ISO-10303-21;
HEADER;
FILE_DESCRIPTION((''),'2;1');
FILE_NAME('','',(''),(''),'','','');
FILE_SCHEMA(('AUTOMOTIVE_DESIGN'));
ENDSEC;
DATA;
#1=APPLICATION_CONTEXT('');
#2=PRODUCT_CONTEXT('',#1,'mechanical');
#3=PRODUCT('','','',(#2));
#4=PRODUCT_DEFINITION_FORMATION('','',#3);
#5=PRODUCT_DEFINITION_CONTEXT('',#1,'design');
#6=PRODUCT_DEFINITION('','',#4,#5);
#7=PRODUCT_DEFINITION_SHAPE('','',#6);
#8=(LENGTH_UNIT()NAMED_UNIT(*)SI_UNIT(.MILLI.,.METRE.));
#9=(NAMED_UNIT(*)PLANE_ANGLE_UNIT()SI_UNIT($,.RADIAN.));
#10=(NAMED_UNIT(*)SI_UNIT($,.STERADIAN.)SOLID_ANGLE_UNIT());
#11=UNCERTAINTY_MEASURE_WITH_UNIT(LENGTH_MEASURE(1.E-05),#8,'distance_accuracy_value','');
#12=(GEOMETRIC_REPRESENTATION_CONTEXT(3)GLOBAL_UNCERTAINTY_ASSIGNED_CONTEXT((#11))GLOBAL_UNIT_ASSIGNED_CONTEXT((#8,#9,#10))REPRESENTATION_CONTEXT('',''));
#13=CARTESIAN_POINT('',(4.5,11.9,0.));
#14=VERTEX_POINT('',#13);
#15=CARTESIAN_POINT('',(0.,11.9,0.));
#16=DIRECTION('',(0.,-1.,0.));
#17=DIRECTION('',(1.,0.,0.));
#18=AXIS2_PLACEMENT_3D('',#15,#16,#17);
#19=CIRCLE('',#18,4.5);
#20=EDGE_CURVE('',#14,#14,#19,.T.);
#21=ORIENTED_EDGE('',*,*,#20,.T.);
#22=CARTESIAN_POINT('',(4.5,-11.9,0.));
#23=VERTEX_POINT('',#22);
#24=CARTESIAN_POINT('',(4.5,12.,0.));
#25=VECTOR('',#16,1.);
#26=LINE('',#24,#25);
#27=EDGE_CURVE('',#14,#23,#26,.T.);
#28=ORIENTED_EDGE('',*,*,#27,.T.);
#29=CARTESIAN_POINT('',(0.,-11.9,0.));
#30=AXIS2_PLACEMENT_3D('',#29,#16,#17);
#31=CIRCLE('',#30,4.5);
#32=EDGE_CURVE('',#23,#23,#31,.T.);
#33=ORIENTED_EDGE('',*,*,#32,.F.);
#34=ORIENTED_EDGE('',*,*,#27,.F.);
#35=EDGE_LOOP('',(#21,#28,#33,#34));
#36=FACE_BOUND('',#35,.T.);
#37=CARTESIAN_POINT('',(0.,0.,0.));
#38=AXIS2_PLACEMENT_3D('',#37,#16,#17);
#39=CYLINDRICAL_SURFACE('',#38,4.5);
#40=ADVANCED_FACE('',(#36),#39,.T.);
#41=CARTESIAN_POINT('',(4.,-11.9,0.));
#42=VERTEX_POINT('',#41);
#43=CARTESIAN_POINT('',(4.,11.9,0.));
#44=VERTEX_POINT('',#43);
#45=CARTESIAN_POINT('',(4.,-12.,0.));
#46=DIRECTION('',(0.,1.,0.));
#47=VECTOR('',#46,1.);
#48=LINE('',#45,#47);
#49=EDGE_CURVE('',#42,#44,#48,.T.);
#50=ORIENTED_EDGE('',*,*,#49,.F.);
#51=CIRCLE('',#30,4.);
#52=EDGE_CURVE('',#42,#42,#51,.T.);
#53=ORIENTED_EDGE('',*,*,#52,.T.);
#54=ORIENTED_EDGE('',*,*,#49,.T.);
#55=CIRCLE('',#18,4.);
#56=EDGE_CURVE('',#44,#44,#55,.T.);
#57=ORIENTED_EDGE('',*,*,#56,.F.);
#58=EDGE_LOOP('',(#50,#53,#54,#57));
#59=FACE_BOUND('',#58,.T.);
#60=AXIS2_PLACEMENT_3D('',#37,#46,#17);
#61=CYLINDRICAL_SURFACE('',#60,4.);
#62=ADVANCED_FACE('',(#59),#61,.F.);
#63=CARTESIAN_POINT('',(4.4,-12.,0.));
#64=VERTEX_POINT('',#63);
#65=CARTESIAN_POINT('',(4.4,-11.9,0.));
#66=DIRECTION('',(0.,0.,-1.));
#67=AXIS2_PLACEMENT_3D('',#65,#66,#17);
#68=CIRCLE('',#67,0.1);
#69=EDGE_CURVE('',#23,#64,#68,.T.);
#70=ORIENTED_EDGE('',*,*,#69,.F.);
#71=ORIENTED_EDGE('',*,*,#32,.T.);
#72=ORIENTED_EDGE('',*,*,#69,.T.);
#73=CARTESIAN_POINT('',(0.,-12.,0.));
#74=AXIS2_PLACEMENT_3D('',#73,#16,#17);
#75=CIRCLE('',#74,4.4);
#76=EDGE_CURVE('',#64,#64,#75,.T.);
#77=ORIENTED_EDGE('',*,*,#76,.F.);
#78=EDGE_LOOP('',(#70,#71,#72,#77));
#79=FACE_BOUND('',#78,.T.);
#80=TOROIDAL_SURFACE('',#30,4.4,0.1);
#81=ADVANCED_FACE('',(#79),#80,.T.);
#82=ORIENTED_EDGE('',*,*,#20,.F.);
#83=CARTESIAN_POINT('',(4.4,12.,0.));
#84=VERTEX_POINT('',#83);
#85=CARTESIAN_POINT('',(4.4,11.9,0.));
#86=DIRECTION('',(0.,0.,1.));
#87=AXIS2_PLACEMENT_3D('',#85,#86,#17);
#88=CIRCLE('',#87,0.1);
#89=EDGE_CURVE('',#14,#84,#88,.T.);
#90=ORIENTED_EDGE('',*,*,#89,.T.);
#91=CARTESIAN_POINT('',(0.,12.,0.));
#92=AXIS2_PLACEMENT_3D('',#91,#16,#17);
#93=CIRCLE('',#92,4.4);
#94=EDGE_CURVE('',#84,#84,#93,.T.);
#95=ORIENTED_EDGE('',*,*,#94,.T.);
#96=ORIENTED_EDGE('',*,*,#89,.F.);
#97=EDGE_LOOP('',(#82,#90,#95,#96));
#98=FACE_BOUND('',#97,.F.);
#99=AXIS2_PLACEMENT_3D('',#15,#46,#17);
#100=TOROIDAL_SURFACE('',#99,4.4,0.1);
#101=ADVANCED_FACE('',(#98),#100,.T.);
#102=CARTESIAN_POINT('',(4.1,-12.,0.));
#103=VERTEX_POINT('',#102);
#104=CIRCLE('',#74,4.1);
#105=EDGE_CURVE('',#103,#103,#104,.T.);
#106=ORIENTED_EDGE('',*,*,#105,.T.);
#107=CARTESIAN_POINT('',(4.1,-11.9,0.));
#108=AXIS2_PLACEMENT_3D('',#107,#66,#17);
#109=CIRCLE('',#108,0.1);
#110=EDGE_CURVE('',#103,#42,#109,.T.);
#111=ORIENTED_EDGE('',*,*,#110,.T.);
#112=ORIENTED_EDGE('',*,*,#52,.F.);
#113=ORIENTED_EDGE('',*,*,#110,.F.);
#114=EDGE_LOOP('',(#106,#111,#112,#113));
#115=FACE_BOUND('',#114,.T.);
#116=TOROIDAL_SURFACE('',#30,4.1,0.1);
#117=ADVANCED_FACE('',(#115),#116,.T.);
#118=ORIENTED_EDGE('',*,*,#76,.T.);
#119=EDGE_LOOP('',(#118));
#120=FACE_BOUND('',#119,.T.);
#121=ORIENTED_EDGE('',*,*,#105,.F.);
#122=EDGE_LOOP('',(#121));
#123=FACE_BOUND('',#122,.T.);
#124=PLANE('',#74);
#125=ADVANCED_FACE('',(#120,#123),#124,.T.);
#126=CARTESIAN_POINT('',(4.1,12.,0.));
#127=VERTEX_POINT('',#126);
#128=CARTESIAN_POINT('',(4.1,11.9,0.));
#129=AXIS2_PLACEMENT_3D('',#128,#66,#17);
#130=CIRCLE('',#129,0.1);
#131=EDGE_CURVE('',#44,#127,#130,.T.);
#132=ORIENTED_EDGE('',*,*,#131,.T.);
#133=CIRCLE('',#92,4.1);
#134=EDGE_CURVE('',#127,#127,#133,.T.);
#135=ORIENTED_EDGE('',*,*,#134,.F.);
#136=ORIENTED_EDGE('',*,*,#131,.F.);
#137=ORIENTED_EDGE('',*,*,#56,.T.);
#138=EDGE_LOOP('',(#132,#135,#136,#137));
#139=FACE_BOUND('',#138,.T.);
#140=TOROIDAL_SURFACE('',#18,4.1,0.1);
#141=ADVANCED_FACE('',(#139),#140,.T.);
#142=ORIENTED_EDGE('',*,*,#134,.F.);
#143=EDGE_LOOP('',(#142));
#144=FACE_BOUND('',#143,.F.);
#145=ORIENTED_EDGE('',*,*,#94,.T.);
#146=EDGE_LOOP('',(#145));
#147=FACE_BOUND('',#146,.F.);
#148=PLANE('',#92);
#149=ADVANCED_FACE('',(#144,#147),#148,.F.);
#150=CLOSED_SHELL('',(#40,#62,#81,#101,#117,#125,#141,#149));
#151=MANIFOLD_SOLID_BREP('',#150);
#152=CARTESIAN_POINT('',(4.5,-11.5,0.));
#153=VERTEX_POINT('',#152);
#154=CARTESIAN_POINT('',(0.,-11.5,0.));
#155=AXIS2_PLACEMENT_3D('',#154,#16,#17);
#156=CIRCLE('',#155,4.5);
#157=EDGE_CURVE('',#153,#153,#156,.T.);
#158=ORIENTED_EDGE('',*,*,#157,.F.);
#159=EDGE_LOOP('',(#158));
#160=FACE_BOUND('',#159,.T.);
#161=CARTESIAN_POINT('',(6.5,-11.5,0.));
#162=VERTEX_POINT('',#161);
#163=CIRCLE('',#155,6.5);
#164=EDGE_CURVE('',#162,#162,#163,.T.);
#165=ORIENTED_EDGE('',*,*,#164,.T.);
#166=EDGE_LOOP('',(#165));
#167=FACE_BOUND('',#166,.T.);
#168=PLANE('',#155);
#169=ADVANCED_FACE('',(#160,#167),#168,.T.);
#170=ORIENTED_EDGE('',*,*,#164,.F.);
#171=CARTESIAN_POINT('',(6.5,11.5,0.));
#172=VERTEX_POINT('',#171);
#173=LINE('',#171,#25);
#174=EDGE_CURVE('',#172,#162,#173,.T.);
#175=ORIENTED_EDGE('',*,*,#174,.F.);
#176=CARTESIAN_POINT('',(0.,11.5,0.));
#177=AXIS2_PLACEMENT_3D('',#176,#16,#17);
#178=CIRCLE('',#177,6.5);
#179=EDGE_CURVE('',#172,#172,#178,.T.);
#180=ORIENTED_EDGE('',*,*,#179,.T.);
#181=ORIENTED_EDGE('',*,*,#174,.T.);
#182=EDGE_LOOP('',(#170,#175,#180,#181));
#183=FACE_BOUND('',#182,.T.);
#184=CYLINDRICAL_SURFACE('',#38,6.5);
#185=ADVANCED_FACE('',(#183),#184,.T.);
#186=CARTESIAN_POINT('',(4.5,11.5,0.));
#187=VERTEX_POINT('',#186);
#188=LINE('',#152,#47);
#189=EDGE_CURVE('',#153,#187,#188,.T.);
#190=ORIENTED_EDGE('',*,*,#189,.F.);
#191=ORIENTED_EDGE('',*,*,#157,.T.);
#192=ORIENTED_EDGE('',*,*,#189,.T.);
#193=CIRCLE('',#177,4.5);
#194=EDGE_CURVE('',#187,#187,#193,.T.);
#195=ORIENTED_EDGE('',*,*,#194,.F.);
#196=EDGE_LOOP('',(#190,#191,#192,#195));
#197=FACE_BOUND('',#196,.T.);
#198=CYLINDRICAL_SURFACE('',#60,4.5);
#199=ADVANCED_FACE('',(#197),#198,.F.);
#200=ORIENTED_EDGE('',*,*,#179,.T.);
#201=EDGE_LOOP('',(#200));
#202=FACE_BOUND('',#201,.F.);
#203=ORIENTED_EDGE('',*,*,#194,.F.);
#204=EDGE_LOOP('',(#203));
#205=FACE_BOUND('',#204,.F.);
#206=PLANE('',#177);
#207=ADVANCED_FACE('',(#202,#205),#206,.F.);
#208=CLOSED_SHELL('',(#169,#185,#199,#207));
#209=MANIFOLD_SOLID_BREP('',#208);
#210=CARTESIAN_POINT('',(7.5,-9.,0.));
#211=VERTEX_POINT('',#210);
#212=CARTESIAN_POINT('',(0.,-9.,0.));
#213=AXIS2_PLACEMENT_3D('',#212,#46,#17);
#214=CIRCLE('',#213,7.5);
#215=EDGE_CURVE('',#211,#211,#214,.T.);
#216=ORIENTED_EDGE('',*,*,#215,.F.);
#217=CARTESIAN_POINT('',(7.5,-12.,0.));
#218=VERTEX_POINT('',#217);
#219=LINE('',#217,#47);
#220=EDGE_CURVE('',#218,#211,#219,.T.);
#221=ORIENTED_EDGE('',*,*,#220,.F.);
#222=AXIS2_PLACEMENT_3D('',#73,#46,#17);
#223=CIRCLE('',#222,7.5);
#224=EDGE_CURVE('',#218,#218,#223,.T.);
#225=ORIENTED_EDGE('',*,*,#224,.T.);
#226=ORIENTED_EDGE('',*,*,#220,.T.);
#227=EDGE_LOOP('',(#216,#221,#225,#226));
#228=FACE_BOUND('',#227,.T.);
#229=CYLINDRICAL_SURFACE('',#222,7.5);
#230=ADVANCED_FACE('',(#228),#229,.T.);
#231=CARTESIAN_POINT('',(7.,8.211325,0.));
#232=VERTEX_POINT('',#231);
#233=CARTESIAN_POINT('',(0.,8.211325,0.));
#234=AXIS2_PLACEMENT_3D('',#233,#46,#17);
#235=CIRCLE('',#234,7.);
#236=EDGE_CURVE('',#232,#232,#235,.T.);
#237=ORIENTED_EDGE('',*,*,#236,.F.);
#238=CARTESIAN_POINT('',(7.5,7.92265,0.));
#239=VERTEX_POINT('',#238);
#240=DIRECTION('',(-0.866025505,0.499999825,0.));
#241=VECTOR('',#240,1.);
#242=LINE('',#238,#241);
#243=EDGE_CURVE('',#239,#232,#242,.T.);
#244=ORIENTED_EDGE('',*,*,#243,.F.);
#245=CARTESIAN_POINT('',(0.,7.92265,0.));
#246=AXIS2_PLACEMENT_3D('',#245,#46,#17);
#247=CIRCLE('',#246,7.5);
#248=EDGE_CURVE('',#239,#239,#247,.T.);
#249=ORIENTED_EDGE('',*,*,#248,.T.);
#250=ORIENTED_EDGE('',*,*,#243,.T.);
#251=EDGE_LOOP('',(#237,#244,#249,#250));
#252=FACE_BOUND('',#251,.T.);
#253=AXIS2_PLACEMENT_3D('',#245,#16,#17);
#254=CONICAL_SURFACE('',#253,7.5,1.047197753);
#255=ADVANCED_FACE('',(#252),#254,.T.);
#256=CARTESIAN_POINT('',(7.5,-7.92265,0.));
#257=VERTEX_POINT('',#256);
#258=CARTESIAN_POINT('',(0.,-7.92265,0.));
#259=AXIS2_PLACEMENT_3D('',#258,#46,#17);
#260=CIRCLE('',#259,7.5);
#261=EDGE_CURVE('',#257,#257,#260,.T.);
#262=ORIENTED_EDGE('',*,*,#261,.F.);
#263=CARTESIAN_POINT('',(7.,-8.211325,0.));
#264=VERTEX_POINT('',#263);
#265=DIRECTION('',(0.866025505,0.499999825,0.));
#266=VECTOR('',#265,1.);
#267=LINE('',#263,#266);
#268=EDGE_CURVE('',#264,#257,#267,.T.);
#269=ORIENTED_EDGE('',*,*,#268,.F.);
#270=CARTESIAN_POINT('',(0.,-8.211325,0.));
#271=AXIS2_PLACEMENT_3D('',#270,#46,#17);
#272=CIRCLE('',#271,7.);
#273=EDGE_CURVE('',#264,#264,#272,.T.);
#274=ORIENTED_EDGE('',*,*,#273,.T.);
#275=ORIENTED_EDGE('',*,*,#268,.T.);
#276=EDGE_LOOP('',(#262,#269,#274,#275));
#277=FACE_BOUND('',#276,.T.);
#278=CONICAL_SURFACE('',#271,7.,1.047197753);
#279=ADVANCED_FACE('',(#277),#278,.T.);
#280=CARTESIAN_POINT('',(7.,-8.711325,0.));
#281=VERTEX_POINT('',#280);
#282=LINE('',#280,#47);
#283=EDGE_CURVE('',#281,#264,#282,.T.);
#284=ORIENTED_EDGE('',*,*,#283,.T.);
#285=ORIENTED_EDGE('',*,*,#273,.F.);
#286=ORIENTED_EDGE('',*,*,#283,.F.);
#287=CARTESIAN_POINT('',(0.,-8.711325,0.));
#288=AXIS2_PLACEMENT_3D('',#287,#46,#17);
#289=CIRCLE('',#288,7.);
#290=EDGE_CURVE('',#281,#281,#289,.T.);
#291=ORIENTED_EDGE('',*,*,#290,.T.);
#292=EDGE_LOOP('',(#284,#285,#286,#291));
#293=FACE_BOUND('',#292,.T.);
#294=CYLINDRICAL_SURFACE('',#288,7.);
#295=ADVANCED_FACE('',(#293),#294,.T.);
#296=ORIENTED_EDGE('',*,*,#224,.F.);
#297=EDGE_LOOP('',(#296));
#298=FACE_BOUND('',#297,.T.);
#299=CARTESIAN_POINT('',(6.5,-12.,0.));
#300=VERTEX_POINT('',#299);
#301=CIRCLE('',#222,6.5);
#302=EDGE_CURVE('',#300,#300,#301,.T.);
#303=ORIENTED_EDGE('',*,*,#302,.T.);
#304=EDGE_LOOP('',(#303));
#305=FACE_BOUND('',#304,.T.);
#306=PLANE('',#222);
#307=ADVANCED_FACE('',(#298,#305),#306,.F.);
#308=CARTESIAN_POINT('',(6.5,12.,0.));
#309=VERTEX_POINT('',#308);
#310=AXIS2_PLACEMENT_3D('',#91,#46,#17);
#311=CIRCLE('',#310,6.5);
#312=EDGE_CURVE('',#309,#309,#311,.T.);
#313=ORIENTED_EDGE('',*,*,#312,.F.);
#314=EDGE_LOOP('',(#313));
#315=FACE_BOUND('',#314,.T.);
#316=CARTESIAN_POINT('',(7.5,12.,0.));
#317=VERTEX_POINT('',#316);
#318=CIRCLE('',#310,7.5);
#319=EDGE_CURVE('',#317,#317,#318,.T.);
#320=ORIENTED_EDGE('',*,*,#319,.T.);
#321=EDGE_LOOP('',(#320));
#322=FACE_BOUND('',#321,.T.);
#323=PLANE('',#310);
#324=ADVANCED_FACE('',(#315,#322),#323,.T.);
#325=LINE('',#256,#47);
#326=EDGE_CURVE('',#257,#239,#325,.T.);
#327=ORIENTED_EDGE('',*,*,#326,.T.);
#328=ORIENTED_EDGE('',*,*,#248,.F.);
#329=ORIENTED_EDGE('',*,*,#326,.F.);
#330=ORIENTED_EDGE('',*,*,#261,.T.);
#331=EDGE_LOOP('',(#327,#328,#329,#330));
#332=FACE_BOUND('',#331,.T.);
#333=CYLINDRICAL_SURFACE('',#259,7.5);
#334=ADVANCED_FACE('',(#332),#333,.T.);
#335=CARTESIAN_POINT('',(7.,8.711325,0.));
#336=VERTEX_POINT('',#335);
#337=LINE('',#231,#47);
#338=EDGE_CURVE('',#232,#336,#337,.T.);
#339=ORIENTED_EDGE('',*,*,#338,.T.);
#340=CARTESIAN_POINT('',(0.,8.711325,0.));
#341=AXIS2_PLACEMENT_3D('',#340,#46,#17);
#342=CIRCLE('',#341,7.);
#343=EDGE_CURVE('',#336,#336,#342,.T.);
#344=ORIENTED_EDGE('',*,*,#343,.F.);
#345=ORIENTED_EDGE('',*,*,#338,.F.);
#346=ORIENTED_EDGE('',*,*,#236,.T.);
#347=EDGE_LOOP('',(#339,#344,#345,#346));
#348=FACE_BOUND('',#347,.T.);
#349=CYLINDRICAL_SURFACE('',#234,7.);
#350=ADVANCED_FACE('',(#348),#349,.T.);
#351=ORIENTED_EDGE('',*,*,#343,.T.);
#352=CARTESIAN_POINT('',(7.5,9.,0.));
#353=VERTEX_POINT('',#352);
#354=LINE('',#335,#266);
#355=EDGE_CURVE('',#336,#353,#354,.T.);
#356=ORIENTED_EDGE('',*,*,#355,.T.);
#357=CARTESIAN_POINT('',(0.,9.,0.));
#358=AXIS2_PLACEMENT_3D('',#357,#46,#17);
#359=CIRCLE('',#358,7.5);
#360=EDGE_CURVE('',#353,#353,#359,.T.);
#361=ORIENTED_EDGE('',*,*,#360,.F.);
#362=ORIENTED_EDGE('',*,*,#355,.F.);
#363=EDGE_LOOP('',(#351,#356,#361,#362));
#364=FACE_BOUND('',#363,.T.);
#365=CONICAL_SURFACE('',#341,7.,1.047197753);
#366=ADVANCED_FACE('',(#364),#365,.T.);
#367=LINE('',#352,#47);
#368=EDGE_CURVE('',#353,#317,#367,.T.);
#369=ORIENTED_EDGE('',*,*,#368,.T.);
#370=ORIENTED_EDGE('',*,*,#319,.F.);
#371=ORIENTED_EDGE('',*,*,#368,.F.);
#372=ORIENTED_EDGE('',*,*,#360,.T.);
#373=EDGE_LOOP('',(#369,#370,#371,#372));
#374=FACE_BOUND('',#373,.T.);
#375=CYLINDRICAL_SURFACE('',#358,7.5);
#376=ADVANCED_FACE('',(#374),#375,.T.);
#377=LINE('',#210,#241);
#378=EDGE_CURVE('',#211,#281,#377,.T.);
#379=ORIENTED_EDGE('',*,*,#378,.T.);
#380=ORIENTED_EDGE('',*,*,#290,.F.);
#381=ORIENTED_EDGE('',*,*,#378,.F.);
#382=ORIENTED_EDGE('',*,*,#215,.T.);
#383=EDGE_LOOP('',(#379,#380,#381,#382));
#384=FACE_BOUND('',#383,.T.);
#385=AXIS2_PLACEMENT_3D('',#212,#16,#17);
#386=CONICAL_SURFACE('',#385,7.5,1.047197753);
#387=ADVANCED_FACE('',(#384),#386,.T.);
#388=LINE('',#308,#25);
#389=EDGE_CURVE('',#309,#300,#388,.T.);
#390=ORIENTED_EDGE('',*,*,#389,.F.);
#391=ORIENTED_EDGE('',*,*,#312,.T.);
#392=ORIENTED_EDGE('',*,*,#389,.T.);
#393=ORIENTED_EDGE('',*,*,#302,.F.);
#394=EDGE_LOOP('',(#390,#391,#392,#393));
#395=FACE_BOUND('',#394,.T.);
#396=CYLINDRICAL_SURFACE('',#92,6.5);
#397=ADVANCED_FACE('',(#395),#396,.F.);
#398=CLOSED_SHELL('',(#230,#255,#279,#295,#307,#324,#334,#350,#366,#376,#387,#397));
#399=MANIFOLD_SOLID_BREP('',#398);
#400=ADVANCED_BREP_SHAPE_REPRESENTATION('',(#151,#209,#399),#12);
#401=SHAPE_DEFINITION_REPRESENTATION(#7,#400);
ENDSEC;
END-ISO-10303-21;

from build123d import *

# Parameters (mm, degrees)
SKETCH_R      = 4.5
SKETCH_R_2    = 4
PAD_DEPTH     = 12
FILLET001_R   = 0.1
SKETCH001_R   = 6.5
SKETCH001_R_2 = 4.5
PAD001_DEPTH  = 11.5


with BuildPart() as body:
    # Sketch → Pad (new body, symmetric)
    with BuildSketch(Plane.XZ):
        Circle(SKETCH_R)
        Circle(SKETCH_R_2, mode=Mode.SUBTRACT)
    extrude(amount=PAD_DEPTH, both=True)

    # Fillet001
    fillet001_edges = [body.edges().sort_by_distance(p)[0] for p in [
        (-4.5, 12, 0),
        (-4, 12, 0),
        (-4.5, -12, 0),
        (-4, -12, 0),
    ]]
    fillet(fillet001_edges, radius=FILLET001_R)


with BuildPart() as body001:
    # Sketch001 → Pad001 (new body, symmetric)
    with BuildSketch(Plane.XZ):
        Circle(SKETCH001_R)
        Circle(SKETCH001_R_2, mode=Mode.SUBTRACT)
    extrude(amount=PAD001_DEPTH, both=True)


with BuildPart() as body002:
    # Sketch002 → Revolution (revolve)
    with BuildSketch(Plane.XY):
        Polygon((6.5, 12), (6.5, -12), (7.5, -12), (7.5, -9), (7, -8.711325), (7, -8.211325), (7.5, -7.92265), (7.5, 7.92265), (7, 8.211325), (7, 8.711325), (7.5, 9), (7.5, 12), align=None)
    revolve(axis=Axis((0, 0, 0), (0, 1, 0)))


solid = Compound([body.part, body001.part, body002.part])
